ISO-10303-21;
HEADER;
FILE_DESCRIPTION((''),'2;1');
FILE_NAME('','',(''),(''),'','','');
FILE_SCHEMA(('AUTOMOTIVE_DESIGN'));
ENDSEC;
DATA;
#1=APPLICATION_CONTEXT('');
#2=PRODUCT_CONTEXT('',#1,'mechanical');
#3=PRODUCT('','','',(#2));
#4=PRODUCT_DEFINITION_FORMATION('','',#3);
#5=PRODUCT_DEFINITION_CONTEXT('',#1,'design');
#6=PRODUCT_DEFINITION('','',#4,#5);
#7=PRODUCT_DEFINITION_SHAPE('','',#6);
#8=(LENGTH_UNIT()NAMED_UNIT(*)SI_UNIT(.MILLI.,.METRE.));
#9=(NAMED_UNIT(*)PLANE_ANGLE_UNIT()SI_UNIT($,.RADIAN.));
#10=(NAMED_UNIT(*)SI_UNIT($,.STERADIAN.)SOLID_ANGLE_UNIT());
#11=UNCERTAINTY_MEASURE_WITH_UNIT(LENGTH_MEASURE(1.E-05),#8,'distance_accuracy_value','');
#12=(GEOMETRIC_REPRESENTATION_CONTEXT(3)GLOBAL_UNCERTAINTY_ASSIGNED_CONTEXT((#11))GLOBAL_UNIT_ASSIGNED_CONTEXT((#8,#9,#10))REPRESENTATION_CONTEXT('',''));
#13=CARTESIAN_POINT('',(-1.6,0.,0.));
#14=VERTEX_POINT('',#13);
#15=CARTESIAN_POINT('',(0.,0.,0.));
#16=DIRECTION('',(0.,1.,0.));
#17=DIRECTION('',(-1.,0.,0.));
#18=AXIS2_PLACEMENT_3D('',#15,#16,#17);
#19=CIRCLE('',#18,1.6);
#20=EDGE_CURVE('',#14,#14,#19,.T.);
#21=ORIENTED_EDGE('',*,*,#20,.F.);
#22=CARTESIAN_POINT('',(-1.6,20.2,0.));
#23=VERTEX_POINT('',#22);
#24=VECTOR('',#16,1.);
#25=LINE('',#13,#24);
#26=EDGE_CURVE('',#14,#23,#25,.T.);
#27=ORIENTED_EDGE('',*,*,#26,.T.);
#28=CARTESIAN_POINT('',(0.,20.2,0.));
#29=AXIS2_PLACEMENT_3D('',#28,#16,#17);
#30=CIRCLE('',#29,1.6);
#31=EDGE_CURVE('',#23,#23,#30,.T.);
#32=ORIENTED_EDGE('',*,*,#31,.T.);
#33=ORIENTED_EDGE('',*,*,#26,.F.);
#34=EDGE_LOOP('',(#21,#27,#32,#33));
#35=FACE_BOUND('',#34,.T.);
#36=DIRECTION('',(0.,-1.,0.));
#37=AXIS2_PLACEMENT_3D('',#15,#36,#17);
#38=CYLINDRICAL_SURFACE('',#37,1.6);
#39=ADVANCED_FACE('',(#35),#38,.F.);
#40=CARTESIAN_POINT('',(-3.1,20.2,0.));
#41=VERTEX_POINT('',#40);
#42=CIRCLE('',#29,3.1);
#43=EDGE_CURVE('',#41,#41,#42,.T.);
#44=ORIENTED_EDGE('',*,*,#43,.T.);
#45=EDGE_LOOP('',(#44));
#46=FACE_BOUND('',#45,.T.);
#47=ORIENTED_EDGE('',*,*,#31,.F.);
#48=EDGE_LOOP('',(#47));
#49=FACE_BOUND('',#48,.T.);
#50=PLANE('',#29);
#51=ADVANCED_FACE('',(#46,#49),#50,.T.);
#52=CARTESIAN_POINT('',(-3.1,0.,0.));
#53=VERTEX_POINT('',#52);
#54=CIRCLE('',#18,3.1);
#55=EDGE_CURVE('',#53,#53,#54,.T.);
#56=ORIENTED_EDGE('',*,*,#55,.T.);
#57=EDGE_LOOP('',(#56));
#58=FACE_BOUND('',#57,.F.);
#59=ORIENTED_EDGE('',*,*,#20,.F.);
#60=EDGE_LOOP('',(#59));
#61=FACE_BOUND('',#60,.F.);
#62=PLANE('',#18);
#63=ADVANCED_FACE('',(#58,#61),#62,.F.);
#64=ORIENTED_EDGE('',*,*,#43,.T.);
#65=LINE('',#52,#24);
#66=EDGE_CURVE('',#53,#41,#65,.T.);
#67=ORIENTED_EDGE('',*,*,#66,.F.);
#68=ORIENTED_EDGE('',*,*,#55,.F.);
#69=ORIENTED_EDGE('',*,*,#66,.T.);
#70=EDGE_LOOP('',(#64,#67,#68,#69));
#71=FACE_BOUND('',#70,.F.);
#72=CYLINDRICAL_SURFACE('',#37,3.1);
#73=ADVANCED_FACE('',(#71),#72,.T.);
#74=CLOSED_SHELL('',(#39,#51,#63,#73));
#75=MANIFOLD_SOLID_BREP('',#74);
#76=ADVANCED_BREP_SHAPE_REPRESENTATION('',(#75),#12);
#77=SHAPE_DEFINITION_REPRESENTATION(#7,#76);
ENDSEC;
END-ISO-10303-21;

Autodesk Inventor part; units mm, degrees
ref_plane "YZ Plane" through (0, 0, 0) normal (1, 0, 0) x (0, 1, 0)
ref_plane "XZ Plane" through (0, 0, 0) normal (0, 1, 0) x (-1, 0, 0)
ref_plane "XY Plane" through (0, 0, 0) normal (0, 0, 1) x (1, 0, 0)
sketch "Sketch1" plane through (0, 0, 0) normal (0, 1, 0) x (-1, 0, 0)
  circle A0 centre (0, 0) radius 3.1
  circle A1 centre (0, 0) radius 1.6
  dimension "d0" = 6.2
  dimension "d1" = 3.2
extrude "Extrusion1" add sketch "Sketch1" along normal blind 20.2
properties part number "20mm Nylon Stand Off" material "Acetal Resin, Black"
